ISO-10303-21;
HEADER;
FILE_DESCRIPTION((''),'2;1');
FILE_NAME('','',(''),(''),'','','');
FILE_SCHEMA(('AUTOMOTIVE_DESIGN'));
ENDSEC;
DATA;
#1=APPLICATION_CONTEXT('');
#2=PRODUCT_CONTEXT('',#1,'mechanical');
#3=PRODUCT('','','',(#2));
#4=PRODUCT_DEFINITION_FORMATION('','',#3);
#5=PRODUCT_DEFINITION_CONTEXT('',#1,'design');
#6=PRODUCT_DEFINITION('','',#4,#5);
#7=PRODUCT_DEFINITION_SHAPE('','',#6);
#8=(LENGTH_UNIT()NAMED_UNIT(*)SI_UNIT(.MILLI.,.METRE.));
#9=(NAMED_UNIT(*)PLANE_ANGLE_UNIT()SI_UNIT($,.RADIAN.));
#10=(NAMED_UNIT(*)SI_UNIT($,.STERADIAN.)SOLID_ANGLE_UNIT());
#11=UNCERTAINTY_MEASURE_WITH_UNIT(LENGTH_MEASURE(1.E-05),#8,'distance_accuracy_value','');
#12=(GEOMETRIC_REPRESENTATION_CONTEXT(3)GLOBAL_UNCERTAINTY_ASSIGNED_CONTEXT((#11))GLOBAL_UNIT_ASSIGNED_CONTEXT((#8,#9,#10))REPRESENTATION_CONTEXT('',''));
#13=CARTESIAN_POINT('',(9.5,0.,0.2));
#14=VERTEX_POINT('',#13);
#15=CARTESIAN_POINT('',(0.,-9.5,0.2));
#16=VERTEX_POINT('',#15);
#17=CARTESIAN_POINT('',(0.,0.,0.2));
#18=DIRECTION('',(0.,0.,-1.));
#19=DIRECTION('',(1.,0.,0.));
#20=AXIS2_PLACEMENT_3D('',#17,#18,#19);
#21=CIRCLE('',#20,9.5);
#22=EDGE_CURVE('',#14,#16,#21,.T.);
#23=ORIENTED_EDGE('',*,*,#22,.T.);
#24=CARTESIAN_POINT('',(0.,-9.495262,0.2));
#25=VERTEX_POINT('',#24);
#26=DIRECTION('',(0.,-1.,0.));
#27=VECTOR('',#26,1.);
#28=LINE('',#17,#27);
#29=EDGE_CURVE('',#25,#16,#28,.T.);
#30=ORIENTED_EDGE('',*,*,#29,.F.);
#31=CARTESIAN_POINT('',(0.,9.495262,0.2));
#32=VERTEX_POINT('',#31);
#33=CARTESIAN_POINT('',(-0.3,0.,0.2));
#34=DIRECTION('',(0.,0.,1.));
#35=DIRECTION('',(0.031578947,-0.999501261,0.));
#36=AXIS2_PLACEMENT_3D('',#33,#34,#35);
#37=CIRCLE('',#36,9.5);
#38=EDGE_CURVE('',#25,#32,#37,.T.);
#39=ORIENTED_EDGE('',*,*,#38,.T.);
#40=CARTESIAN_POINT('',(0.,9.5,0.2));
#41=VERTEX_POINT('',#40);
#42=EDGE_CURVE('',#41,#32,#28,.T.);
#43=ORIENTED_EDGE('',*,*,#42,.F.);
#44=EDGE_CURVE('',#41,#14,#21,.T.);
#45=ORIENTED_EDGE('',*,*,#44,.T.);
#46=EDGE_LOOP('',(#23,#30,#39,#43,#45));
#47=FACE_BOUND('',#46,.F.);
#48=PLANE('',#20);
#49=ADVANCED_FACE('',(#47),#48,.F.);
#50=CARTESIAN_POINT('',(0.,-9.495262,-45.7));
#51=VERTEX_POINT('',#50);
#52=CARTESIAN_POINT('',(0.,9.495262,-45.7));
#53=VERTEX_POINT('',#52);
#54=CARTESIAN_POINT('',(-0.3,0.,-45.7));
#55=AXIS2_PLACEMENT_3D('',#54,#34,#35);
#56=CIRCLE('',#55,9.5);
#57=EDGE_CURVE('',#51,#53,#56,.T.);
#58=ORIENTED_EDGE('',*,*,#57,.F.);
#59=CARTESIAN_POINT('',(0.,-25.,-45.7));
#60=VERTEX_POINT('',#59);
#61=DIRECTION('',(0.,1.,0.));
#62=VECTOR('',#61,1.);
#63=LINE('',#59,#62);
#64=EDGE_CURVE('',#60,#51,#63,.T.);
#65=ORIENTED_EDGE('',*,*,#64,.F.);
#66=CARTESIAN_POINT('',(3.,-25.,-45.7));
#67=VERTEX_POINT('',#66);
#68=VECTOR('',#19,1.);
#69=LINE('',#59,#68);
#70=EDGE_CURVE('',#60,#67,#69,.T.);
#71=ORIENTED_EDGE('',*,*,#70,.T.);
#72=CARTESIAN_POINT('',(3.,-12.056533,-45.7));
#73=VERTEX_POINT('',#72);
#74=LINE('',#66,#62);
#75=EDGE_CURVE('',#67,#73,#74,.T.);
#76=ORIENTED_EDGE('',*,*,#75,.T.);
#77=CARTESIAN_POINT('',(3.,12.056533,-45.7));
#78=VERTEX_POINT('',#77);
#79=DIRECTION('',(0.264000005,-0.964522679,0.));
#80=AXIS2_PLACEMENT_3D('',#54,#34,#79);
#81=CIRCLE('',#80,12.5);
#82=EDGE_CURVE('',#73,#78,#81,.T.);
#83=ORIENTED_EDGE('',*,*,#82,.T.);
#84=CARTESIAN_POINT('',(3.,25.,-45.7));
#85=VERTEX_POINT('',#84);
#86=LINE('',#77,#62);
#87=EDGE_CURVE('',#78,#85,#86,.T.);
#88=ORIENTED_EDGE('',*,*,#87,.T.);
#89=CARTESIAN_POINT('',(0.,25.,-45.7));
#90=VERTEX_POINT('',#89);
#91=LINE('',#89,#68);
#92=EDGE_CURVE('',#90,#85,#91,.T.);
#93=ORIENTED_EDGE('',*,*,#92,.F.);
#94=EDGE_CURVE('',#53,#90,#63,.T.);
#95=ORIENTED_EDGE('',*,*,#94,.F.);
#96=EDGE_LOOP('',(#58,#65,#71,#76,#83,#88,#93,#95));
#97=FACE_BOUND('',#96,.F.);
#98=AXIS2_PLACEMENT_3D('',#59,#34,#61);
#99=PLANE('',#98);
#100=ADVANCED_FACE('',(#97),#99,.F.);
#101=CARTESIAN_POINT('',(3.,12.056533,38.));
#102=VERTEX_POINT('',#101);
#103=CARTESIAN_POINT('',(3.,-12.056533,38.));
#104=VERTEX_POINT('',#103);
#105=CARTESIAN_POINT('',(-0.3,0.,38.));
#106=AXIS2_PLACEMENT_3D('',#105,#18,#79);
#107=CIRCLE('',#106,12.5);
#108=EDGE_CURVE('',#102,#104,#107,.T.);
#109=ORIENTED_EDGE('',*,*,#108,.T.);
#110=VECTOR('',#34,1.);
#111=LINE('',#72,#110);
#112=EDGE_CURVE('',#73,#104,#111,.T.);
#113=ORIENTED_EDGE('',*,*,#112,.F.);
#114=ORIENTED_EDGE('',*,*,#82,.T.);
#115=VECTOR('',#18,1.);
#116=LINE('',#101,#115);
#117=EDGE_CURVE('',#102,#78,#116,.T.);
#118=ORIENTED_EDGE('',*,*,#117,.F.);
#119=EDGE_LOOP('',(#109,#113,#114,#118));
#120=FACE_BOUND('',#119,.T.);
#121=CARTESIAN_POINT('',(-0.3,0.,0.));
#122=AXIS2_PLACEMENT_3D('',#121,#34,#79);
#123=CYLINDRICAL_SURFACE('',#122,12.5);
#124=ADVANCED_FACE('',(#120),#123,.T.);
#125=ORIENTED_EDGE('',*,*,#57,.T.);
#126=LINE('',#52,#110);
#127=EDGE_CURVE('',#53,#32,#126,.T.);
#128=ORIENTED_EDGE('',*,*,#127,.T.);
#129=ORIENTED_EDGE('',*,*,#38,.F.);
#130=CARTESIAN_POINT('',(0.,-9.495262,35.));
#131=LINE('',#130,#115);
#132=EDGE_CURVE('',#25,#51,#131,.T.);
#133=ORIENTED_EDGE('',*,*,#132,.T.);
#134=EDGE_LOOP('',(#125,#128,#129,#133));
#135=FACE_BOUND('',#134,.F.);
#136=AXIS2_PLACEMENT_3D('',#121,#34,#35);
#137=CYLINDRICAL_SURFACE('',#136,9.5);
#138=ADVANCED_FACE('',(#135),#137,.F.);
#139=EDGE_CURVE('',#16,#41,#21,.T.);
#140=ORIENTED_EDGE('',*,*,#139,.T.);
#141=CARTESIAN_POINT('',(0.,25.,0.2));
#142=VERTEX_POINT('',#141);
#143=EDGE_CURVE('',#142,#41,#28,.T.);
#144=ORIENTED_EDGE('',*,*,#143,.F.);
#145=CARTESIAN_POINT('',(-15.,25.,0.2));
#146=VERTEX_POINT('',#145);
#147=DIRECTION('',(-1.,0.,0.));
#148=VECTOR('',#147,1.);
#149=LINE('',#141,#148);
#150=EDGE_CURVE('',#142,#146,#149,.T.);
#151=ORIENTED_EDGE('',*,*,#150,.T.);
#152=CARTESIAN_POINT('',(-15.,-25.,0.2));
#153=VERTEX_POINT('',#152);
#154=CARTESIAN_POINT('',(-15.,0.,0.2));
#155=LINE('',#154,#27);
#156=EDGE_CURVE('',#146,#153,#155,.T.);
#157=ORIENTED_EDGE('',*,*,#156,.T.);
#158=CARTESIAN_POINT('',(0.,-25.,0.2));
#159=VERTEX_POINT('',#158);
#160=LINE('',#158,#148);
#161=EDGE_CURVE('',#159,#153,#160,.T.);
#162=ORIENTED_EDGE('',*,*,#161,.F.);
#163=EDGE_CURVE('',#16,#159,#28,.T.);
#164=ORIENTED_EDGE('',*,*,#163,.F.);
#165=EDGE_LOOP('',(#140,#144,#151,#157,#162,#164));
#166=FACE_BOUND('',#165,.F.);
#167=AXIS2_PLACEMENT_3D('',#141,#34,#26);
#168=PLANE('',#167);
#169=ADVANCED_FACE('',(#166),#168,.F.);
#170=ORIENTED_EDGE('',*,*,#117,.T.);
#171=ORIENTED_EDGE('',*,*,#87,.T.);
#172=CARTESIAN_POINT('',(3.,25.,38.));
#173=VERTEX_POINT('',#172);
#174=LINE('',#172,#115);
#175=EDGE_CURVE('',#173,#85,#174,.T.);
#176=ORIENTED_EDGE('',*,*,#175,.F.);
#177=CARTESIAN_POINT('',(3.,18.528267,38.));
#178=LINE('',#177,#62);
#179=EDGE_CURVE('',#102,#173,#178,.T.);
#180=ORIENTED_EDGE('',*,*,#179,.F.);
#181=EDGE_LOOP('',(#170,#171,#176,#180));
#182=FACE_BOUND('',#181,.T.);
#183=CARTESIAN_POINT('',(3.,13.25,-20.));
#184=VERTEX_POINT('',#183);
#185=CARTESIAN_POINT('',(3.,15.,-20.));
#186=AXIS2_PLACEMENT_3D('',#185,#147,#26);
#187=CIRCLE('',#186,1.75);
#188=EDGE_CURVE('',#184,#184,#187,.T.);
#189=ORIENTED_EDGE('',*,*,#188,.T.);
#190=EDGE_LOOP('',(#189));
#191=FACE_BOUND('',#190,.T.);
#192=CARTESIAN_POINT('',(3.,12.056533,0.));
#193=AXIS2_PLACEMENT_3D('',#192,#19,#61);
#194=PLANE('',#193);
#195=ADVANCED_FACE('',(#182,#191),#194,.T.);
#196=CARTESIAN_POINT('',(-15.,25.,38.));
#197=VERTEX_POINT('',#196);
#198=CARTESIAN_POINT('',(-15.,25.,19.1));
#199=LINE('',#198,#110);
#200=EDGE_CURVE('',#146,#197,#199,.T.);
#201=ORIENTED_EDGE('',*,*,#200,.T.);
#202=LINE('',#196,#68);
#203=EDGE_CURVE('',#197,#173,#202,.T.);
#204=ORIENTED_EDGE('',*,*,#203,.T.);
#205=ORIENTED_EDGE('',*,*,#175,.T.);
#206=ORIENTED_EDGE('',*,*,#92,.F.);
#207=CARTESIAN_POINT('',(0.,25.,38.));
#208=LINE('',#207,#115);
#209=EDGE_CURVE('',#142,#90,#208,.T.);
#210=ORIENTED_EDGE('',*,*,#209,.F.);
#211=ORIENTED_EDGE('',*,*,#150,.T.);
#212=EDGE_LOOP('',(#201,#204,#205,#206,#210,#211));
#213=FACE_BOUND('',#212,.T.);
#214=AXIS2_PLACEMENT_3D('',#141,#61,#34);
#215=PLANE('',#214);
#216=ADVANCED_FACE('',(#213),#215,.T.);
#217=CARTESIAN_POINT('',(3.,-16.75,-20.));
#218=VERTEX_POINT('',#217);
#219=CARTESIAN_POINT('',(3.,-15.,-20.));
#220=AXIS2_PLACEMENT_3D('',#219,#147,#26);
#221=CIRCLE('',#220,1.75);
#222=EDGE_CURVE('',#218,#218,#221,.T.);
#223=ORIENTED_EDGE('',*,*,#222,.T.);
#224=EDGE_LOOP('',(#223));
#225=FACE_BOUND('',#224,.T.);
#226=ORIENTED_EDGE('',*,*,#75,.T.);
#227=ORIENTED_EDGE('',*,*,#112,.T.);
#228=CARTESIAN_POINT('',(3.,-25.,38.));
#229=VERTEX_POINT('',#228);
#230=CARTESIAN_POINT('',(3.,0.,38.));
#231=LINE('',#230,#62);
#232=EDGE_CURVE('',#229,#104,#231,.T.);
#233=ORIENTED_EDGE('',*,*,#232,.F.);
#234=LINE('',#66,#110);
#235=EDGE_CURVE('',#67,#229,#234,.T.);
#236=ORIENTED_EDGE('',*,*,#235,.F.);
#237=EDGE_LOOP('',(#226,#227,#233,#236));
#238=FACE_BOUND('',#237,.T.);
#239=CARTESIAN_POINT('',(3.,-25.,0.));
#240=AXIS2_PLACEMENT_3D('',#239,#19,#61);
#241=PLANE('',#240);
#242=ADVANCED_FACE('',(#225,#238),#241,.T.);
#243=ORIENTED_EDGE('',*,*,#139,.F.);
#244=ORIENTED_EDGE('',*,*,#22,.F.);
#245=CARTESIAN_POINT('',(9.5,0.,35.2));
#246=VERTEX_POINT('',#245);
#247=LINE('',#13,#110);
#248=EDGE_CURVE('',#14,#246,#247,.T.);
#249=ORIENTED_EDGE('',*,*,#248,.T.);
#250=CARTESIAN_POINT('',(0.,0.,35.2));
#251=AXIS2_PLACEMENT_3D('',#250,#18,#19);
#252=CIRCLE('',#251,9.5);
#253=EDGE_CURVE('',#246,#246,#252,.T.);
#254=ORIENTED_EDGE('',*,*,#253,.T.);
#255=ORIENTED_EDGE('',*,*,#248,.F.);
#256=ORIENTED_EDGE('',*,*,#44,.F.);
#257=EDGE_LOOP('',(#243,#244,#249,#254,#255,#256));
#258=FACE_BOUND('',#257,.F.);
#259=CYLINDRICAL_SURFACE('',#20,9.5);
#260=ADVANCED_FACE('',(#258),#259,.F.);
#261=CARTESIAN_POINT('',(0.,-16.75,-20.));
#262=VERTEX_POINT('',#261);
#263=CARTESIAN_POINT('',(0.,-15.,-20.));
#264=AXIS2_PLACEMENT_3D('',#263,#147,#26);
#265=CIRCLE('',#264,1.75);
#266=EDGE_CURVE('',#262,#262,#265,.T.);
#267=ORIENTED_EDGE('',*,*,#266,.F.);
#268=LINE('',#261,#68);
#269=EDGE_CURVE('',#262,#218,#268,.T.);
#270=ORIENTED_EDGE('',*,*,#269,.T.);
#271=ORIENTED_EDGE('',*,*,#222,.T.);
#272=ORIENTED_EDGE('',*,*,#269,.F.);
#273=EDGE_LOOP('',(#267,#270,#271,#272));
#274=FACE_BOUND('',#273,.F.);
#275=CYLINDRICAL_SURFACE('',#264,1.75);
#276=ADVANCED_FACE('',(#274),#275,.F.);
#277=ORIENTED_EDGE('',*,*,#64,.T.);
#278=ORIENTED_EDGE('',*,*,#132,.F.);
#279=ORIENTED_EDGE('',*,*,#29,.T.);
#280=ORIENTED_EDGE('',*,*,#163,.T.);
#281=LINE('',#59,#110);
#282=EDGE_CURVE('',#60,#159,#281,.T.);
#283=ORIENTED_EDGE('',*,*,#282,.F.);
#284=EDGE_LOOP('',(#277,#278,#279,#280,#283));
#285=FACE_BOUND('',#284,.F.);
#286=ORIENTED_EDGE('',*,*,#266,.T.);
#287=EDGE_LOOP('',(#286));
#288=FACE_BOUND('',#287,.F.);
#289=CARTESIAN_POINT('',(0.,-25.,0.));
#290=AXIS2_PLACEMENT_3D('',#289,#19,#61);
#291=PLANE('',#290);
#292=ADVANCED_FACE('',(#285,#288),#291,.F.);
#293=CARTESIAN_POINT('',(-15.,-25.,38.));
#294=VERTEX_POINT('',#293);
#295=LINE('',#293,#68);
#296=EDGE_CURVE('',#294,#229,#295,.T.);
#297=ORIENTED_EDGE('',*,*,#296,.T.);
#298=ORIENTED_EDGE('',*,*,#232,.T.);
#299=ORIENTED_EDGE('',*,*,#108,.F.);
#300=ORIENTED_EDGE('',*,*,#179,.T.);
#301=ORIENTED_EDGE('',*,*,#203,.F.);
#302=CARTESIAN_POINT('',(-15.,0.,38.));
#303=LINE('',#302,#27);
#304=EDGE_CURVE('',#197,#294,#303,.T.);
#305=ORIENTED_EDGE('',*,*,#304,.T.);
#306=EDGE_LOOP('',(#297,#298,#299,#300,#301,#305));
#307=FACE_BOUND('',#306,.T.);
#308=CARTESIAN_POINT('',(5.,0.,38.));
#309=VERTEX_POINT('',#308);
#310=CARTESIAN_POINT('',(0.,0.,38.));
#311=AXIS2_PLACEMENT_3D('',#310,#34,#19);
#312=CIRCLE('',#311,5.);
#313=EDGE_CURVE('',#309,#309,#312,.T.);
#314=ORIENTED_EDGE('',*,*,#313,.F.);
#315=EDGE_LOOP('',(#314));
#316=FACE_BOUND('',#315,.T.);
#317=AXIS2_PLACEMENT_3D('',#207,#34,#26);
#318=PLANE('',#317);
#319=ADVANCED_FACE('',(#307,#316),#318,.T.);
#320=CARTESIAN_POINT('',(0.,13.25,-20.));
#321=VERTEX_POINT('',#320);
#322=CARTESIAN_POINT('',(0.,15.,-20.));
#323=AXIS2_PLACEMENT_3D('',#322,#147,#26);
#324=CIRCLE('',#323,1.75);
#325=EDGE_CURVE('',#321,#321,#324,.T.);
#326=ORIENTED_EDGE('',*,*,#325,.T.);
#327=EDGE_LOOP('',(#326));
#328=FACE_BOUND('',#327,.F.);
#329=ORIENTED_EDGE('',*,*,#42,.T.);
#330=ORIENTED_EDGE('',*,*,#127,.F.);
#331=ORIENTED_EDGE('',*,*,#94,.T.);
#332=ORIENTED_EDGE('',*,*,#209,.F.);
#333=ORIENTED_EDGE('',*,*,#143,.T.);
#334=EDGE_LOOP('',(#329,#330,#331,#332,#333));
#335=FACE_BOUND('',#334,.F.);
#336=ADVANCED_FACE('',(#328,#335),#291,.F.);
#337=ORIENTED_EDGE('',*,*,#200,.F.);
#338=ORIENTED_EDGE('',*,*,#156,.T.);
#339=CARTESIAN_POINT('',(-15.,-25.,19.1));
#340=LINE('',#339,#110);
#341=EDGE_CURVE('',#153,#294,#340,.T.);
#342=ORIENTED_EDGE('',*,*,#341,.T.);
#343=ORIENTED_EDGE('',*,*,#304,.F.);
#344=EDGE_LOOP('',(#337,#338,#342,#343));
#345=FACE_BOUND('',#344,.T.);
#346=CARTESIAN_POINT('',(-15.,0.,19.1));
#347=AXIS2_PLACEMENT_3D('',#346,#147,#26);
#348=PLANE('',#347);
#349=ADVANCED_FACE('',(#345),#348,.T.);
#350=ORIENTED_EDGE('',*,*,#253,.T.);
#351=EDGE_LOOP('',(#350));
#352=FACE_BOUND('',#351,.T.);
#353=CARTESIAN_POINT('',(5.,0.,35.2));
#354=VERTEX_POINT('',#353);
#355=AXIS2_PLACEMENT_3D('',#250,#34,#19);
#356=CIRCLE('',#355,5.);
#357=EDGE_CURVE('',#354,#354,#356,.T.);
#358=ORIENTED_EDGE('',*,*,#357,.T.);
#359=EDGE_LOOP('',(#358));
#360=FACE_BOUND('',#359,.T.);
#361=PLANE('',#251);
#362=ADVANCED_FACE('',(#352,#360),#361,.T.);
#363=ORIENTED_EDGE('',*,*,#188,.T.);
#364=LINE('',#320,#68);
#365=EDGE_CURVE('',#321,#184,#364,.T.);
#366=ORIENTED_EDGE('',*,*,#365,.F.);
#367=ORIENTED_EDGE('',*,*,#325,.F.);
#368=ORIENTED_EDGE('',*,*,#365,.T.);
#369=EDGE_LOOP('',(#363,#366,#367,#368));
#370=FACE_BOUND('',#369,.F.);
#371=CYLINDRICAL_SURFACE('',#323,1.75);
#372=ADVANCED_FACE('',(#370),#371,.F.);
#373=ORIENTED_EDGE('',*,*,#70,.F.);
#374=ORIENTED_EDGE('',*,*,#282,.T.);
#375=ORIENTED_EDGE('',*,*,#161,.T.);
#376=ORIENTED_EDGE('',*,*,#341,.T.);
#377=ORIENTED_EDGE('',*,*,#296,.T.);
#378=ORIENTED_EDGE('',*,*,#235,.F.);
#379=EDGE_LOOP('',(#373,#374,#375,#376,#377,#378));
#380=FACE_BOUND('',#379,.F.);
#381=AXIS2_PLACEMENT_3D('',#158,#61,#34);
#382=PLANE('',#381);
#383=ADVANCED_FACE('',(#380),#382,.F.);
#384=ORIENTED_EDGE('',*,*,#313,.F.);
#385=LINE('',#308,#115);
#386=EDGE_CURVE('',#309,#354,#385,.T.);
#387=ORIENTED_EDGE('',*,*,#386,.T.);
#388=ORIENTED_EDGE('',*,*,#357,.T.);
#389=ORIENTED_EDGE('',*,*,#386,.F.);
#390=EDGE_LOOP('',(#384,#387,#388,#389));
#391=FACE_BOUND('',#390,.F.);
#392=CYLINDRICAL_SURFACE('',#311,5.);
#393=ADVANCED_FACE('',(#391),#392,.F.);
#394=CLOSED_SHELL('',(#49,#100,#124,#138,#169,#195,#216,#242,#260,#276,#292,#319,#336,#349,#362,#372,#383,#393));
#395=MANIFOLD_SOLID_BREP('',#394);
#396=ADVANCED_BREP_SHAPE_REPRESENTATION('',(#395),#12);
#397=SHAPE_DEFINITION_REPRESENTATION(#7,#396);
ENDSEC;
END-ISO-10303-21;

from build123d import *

# Parameters (mm, degrees)
F1_DEPTH  = 16
F2_R      = 9.5
F3_DEPTH  = 35
F5_DEPTH  = 40
F6_DEPTH  = 45.7
F7_W      = 50
F7_H      = 37.8
F8_DEPTH  = 15
F9_R      = 9.5
F10_DEPTH = 35
F11_R     = 5
F12_DEPTH = 25
F13_R     = 1.75
F14_DEPTH = 5


with BuildPart() as f1:
    # F0 (on Right) → F1 (new body)
    with BuildSketch(Plane.YZ):
        Polygon((-25, 0), (0, 0), (25, 0), (25, 38), (-25, 38), align=None)
    extrude(amount=F1_DEPTH)

    # F2 (on face) → F3 (cut)
    with BuildSketch(Plane(origin=(0, 0, 0), x_dir=(1, 0, 0), z_dir=(0, 0, -1))):
        with Locations((-0.3, 0)):
            Circle(F2_R)
    extrude(amount=-F3_DEPTH, mode=Mode.SUBTRACT)

    # F4 (on face) → F5 (cut)
    with BuildSketch(Plane(origin=(0, 0, 0), x_dir=(1, 0, 0), z_dir=(0, 0, -1))):
        with BuildLine():
            Line((16, 25), (3, 25))
            Line((3, 25), (3, 12.0565332544))
            ThreePointArc((3, 12.0565332544), (12.1999997646, 0), (3, -12.0565332544))
            Line((3, -12.0565332544), (3, -25))
            Line((3, -25), (16, -25))
            Line((16, -25), (16, 25))
        make_face()
    extrude(amount=-F5_DEPTH, mode=Mode.SUBTRACT)

    # F6 (add): a face of the model
    f6_faces = [f1.faces().sort_by_distance(p)[0] for p in [
        (0.514668825, -17.2476309882, 0),
    ]]
    extrude(f6_faces, amount=F6_DEPTH)

    # F7 (on face) → F8 (join)
    with BuildSketch(Plane(origin=(0, 0, 0), x_dir=(0, -1, 0), z_dir=(-1, 0, 0))):
        with Locations((0, 19.1)):
            Rectangle(F7_W, F7_H)
    extrude(amount=F8_DEPTH)

    # F9 (on face) → F10 (cut)
    with BuildSketch(Plane(origin=(0, 0, 0.2), x_dir=(1, 0, 0), z_dir=(0, 0, -1))):
        Circle(F9_R)
    extrude(amount=-F10_DEPTH, mode=Mode.SUBTRACT)

    # F11 (on face) → F12 (cut)
    with BuildSketch(Plane.XY.offset(38)):
        Circle(F11_R)
    extrude(amount=-F12_DEPTH, mode=Mode.SUBTRACT)

    # F13 (on face) → F14 (cut)
    with BuildSketch(Plane(origin=(0, 0, 0), x_dir=(0, -1, 0), z_dir=(-1, 0, 0))):
        with Locations((-15, -20)):
            Circle(F13_R)
        with Locations((15, -20)):
            Circle(F13_R)
    extrude(amount=-F14_DEPTH, mode=Mode.SUBTRACT)


solid = f1.part
